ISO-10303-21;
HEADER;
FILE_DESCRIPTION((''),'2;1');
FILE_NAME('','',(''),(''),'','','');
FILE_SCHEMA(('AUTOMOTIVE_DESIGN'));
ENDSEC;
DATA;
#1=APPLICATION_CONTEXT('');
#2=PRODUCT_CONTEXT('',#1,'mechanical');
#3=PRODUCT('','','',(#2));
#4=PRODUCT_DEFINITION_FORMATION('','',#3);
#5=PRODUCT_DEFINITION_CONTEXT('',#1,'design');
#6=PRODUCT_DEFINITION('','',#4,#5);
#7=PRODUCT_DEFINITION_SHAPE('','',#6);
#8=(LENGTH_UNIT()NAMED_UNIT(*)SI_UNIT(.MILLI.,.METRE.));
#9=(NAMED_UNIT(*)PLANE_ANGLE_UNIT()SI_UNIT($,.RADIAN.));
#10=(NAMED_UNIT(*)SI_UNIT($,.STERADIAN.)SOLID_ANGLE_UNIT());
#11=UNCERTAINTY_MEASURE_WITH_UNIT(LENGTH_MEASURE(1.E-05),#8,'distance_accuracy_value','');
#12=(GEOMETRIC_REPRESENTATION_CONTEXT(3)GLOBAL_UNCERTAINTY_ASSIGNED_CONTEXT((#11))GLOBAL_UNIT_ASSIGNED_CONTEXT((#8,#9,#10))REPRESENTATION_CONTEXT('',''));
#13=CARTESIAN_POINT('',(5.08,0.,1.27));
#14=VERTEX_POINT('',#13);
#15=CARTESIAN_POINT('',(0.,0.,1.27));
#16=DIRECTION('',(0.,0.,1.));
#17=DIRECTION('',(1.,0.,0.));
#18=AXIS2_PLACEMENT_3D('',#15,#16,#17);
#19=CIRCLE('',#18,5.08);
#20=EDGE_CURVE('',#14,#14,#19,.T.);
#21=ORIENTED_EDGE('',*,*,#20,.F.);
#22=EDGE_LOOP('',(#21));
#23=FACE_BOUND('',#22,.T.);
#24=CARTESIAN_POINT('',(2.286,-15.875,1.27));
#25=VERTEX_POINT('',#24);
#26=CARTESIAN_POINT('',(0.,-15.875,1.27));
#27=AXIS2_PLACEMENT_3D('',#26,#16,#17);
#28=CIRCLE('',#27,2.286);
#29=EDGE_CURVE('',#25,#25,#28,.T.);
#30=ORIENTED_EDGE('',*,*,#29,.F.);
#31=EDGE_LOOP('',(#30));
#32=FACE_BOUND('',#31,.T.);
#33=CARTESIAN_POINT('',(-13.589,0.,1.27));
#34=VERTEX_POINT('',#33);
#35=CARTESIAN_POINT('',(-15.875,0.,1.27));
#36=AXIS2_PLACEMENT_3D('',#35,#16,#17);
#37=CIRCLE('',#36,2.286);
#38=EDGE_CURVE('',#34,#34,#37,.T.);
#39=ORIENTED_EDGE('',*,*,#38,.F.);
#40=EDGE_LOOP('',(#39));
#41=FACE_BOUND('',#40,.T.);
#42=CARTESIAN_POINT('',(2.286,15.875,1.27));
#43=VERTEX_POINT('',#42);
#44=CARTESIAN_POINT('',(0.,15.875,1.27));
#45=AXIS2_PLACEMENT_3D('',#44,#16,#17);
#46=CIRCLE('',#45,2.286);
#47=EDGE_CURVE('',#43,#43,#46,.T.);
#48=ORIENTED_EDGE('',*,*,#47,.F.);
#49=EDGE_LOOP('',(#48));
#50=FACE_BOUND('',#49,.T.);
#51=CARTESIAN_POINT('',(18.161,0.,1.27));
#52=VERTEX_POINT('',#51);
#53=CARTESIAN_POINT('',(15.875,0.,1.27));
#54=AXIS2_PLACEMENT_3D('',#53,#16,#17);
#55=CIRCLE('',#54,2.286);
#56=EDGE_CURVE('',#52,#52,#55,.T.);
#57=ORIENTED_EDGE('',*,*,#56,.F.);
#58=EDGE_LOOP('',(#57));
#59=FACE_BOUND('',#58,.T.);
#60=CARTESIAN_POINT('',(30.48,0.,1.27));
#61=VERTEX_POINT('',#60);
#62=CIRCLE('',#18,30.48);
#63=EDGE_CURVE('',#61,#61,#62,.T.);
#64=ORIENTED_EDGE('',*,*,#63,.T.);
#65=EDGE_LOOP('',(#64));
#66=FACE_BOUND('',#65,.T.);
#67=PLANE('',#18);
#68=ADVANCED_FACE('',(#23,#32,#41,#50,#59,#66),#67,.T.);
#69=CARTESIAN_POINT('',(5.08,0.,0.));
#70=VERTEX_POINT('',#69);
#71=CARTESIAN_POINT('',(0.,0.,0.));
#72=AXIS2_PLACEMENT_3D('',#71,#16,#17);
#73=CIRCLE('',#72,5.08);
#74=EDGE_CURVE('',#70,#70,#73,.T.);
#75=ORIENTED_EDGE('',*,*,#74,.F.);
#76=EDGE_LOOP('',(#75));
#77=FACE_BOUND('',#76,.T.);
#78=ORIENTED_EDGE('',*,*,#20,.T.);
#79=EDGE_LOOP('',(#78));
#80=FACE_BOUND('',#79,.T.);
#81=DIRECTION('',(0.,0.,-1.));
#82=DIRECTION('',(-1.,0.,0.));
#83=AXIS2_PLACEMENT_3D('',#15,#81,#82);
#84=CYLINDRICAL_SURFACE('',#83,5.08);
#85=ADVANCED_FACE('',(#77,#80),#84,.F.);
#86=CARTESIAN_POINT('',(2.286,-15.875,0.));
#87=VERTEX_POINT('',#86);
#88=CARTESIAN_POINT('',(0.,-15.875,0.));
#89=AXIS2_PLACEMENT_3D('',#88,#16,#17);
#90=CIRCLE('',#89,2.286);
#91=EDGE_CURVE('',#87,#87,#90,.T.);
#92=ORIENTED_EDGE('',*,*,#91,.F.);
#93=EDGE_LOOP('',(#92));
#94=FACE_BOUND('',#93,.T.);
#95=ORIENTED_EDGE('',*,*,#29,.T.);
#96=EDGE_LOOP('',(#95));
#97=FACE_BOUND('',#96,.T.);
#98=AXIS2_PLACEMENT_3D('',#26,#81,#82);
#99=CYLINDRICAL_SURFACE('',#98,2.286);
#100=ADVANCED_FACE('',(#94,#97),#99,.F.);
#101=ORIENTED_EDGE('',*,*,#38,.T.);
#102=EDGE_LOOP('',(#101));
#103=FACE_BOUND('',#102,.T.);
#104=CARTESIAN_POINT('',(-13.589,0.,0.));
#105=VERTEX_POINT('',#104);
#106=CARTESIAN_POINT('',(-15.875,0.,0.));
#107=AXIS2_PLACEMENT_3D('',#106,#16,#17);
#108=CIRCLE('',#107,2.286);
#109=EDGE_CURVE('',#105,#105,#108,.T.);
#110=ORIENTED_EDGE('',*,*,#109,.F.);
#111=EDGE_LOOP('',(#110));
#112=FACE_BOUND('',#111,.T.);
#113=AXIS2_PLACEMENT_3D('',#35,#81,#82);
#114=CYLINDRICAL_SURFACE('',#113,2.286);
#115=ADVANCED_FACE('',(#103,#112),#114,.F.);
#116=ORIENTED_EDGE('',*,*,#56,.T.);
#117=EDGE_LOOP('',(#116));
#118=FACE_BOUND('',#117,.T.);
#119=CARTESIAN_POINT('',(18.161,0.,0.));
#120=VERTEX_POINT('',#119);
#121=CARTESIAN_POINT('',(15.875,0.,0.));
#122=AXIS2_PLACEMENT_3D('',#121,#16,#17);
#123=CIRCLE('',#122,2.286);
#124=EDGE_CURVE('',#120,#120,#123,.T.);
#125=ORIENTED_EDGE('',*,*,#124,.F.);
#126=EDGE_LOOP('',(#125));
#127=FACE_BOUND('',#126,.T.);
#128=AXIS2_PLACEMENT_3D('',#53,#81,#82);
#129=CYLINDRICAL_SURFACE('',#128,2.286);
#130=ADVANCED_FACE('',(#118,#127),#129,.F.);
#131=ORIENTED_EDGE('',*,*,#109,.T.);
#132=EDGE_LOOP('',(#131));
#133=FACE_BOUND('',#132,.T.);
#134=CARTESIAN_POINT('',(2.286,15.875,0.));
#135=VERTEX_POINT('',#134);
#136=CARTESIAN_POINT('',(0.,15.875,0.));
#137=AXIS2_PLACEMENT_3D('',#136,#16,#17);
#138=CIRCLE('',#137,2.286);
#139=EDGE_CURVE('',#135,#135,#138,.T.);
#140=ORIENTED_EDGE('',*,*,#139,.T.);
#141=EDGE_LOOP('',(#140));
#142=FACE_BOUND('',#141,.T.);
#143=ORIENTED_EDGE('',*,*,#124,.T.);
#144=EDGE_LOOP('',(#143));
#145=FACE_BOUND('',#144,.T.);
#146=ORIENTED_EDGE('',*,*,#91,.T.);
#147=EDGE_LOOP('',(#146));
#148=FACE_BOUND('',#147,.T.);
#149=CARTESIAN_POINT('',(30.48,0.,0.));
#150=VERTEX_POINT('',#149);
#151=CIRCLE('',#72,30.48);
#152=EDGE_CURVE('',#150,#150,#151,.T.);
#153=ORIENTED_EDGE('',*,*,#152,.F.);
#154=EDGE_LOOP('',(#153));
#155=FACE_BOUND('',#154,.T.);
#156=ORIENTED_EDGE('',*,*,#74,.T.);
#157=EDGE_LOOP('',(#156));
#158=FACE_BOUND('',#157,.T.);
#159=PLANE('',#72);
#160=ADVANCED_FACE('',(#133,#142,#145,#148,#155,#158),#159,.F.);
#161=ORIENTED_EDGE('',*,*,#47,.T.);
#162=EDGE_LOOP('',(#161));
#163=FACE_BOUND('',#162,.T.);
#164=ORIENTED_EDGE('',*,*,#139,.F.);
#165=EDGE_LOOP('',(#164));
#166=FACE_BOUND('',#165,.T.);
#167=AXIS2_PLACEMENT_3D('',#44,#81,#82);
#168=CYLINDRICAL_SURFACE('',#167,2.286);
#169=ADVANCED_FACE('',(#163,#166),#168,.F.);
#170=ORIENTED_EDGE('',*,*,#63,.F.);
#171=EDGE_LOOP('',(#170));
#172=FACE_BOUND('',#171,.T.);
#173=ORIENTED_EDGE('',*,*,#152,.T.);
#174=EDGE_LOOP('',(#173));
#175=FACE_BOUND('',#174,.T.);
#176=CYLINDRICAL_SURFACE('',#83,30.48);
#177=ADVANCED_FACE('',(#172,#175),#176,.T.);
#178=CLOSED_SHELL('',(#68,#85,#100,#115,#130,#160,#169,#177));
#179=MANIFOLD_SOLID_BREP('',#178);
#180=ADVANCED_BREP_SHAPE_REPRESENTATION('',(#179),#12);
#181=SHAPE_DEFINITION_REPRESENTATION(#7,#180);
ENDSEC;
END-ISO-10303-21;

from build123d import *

# Parameters (mm, degrees)
SKETCH1_R           = 30.48
SKETCH1_R_2         = 5.08
SKETCH1_R_3         = 2.286
BOSS_EXTRUDE1_DEPTH = 1.27


with BuildPart() as part:
    # Sketch1 → Boss-Extrude1 (new body)
    with BuildSketch(Plane.XY):
        Circle(SKETCH1_R)
        Circle(SKETCH1_R_2, mode=Mode.SUBTRACT)
        with Locations((0, 15.875)):
            Circle(SKETCH1_R_3, mode=Mode.SUBTRACT)
        with Locations((15.875, 0)):
            Circle(SKETCH1_R_3, mode=Mode.SUBTRACT)
        with Locations((0, -15.875)):
            Circle(SKETCH1_R_3, mode=Mode.SUBTRACT)
        with Locations((-15.875, 0)):
            Circle(SKETCH1_R_3, mode=Mode.SUBTRACT)
    extrude(amount=BOSS_EXTRUDE1_DEPTH)


solid = part.part
